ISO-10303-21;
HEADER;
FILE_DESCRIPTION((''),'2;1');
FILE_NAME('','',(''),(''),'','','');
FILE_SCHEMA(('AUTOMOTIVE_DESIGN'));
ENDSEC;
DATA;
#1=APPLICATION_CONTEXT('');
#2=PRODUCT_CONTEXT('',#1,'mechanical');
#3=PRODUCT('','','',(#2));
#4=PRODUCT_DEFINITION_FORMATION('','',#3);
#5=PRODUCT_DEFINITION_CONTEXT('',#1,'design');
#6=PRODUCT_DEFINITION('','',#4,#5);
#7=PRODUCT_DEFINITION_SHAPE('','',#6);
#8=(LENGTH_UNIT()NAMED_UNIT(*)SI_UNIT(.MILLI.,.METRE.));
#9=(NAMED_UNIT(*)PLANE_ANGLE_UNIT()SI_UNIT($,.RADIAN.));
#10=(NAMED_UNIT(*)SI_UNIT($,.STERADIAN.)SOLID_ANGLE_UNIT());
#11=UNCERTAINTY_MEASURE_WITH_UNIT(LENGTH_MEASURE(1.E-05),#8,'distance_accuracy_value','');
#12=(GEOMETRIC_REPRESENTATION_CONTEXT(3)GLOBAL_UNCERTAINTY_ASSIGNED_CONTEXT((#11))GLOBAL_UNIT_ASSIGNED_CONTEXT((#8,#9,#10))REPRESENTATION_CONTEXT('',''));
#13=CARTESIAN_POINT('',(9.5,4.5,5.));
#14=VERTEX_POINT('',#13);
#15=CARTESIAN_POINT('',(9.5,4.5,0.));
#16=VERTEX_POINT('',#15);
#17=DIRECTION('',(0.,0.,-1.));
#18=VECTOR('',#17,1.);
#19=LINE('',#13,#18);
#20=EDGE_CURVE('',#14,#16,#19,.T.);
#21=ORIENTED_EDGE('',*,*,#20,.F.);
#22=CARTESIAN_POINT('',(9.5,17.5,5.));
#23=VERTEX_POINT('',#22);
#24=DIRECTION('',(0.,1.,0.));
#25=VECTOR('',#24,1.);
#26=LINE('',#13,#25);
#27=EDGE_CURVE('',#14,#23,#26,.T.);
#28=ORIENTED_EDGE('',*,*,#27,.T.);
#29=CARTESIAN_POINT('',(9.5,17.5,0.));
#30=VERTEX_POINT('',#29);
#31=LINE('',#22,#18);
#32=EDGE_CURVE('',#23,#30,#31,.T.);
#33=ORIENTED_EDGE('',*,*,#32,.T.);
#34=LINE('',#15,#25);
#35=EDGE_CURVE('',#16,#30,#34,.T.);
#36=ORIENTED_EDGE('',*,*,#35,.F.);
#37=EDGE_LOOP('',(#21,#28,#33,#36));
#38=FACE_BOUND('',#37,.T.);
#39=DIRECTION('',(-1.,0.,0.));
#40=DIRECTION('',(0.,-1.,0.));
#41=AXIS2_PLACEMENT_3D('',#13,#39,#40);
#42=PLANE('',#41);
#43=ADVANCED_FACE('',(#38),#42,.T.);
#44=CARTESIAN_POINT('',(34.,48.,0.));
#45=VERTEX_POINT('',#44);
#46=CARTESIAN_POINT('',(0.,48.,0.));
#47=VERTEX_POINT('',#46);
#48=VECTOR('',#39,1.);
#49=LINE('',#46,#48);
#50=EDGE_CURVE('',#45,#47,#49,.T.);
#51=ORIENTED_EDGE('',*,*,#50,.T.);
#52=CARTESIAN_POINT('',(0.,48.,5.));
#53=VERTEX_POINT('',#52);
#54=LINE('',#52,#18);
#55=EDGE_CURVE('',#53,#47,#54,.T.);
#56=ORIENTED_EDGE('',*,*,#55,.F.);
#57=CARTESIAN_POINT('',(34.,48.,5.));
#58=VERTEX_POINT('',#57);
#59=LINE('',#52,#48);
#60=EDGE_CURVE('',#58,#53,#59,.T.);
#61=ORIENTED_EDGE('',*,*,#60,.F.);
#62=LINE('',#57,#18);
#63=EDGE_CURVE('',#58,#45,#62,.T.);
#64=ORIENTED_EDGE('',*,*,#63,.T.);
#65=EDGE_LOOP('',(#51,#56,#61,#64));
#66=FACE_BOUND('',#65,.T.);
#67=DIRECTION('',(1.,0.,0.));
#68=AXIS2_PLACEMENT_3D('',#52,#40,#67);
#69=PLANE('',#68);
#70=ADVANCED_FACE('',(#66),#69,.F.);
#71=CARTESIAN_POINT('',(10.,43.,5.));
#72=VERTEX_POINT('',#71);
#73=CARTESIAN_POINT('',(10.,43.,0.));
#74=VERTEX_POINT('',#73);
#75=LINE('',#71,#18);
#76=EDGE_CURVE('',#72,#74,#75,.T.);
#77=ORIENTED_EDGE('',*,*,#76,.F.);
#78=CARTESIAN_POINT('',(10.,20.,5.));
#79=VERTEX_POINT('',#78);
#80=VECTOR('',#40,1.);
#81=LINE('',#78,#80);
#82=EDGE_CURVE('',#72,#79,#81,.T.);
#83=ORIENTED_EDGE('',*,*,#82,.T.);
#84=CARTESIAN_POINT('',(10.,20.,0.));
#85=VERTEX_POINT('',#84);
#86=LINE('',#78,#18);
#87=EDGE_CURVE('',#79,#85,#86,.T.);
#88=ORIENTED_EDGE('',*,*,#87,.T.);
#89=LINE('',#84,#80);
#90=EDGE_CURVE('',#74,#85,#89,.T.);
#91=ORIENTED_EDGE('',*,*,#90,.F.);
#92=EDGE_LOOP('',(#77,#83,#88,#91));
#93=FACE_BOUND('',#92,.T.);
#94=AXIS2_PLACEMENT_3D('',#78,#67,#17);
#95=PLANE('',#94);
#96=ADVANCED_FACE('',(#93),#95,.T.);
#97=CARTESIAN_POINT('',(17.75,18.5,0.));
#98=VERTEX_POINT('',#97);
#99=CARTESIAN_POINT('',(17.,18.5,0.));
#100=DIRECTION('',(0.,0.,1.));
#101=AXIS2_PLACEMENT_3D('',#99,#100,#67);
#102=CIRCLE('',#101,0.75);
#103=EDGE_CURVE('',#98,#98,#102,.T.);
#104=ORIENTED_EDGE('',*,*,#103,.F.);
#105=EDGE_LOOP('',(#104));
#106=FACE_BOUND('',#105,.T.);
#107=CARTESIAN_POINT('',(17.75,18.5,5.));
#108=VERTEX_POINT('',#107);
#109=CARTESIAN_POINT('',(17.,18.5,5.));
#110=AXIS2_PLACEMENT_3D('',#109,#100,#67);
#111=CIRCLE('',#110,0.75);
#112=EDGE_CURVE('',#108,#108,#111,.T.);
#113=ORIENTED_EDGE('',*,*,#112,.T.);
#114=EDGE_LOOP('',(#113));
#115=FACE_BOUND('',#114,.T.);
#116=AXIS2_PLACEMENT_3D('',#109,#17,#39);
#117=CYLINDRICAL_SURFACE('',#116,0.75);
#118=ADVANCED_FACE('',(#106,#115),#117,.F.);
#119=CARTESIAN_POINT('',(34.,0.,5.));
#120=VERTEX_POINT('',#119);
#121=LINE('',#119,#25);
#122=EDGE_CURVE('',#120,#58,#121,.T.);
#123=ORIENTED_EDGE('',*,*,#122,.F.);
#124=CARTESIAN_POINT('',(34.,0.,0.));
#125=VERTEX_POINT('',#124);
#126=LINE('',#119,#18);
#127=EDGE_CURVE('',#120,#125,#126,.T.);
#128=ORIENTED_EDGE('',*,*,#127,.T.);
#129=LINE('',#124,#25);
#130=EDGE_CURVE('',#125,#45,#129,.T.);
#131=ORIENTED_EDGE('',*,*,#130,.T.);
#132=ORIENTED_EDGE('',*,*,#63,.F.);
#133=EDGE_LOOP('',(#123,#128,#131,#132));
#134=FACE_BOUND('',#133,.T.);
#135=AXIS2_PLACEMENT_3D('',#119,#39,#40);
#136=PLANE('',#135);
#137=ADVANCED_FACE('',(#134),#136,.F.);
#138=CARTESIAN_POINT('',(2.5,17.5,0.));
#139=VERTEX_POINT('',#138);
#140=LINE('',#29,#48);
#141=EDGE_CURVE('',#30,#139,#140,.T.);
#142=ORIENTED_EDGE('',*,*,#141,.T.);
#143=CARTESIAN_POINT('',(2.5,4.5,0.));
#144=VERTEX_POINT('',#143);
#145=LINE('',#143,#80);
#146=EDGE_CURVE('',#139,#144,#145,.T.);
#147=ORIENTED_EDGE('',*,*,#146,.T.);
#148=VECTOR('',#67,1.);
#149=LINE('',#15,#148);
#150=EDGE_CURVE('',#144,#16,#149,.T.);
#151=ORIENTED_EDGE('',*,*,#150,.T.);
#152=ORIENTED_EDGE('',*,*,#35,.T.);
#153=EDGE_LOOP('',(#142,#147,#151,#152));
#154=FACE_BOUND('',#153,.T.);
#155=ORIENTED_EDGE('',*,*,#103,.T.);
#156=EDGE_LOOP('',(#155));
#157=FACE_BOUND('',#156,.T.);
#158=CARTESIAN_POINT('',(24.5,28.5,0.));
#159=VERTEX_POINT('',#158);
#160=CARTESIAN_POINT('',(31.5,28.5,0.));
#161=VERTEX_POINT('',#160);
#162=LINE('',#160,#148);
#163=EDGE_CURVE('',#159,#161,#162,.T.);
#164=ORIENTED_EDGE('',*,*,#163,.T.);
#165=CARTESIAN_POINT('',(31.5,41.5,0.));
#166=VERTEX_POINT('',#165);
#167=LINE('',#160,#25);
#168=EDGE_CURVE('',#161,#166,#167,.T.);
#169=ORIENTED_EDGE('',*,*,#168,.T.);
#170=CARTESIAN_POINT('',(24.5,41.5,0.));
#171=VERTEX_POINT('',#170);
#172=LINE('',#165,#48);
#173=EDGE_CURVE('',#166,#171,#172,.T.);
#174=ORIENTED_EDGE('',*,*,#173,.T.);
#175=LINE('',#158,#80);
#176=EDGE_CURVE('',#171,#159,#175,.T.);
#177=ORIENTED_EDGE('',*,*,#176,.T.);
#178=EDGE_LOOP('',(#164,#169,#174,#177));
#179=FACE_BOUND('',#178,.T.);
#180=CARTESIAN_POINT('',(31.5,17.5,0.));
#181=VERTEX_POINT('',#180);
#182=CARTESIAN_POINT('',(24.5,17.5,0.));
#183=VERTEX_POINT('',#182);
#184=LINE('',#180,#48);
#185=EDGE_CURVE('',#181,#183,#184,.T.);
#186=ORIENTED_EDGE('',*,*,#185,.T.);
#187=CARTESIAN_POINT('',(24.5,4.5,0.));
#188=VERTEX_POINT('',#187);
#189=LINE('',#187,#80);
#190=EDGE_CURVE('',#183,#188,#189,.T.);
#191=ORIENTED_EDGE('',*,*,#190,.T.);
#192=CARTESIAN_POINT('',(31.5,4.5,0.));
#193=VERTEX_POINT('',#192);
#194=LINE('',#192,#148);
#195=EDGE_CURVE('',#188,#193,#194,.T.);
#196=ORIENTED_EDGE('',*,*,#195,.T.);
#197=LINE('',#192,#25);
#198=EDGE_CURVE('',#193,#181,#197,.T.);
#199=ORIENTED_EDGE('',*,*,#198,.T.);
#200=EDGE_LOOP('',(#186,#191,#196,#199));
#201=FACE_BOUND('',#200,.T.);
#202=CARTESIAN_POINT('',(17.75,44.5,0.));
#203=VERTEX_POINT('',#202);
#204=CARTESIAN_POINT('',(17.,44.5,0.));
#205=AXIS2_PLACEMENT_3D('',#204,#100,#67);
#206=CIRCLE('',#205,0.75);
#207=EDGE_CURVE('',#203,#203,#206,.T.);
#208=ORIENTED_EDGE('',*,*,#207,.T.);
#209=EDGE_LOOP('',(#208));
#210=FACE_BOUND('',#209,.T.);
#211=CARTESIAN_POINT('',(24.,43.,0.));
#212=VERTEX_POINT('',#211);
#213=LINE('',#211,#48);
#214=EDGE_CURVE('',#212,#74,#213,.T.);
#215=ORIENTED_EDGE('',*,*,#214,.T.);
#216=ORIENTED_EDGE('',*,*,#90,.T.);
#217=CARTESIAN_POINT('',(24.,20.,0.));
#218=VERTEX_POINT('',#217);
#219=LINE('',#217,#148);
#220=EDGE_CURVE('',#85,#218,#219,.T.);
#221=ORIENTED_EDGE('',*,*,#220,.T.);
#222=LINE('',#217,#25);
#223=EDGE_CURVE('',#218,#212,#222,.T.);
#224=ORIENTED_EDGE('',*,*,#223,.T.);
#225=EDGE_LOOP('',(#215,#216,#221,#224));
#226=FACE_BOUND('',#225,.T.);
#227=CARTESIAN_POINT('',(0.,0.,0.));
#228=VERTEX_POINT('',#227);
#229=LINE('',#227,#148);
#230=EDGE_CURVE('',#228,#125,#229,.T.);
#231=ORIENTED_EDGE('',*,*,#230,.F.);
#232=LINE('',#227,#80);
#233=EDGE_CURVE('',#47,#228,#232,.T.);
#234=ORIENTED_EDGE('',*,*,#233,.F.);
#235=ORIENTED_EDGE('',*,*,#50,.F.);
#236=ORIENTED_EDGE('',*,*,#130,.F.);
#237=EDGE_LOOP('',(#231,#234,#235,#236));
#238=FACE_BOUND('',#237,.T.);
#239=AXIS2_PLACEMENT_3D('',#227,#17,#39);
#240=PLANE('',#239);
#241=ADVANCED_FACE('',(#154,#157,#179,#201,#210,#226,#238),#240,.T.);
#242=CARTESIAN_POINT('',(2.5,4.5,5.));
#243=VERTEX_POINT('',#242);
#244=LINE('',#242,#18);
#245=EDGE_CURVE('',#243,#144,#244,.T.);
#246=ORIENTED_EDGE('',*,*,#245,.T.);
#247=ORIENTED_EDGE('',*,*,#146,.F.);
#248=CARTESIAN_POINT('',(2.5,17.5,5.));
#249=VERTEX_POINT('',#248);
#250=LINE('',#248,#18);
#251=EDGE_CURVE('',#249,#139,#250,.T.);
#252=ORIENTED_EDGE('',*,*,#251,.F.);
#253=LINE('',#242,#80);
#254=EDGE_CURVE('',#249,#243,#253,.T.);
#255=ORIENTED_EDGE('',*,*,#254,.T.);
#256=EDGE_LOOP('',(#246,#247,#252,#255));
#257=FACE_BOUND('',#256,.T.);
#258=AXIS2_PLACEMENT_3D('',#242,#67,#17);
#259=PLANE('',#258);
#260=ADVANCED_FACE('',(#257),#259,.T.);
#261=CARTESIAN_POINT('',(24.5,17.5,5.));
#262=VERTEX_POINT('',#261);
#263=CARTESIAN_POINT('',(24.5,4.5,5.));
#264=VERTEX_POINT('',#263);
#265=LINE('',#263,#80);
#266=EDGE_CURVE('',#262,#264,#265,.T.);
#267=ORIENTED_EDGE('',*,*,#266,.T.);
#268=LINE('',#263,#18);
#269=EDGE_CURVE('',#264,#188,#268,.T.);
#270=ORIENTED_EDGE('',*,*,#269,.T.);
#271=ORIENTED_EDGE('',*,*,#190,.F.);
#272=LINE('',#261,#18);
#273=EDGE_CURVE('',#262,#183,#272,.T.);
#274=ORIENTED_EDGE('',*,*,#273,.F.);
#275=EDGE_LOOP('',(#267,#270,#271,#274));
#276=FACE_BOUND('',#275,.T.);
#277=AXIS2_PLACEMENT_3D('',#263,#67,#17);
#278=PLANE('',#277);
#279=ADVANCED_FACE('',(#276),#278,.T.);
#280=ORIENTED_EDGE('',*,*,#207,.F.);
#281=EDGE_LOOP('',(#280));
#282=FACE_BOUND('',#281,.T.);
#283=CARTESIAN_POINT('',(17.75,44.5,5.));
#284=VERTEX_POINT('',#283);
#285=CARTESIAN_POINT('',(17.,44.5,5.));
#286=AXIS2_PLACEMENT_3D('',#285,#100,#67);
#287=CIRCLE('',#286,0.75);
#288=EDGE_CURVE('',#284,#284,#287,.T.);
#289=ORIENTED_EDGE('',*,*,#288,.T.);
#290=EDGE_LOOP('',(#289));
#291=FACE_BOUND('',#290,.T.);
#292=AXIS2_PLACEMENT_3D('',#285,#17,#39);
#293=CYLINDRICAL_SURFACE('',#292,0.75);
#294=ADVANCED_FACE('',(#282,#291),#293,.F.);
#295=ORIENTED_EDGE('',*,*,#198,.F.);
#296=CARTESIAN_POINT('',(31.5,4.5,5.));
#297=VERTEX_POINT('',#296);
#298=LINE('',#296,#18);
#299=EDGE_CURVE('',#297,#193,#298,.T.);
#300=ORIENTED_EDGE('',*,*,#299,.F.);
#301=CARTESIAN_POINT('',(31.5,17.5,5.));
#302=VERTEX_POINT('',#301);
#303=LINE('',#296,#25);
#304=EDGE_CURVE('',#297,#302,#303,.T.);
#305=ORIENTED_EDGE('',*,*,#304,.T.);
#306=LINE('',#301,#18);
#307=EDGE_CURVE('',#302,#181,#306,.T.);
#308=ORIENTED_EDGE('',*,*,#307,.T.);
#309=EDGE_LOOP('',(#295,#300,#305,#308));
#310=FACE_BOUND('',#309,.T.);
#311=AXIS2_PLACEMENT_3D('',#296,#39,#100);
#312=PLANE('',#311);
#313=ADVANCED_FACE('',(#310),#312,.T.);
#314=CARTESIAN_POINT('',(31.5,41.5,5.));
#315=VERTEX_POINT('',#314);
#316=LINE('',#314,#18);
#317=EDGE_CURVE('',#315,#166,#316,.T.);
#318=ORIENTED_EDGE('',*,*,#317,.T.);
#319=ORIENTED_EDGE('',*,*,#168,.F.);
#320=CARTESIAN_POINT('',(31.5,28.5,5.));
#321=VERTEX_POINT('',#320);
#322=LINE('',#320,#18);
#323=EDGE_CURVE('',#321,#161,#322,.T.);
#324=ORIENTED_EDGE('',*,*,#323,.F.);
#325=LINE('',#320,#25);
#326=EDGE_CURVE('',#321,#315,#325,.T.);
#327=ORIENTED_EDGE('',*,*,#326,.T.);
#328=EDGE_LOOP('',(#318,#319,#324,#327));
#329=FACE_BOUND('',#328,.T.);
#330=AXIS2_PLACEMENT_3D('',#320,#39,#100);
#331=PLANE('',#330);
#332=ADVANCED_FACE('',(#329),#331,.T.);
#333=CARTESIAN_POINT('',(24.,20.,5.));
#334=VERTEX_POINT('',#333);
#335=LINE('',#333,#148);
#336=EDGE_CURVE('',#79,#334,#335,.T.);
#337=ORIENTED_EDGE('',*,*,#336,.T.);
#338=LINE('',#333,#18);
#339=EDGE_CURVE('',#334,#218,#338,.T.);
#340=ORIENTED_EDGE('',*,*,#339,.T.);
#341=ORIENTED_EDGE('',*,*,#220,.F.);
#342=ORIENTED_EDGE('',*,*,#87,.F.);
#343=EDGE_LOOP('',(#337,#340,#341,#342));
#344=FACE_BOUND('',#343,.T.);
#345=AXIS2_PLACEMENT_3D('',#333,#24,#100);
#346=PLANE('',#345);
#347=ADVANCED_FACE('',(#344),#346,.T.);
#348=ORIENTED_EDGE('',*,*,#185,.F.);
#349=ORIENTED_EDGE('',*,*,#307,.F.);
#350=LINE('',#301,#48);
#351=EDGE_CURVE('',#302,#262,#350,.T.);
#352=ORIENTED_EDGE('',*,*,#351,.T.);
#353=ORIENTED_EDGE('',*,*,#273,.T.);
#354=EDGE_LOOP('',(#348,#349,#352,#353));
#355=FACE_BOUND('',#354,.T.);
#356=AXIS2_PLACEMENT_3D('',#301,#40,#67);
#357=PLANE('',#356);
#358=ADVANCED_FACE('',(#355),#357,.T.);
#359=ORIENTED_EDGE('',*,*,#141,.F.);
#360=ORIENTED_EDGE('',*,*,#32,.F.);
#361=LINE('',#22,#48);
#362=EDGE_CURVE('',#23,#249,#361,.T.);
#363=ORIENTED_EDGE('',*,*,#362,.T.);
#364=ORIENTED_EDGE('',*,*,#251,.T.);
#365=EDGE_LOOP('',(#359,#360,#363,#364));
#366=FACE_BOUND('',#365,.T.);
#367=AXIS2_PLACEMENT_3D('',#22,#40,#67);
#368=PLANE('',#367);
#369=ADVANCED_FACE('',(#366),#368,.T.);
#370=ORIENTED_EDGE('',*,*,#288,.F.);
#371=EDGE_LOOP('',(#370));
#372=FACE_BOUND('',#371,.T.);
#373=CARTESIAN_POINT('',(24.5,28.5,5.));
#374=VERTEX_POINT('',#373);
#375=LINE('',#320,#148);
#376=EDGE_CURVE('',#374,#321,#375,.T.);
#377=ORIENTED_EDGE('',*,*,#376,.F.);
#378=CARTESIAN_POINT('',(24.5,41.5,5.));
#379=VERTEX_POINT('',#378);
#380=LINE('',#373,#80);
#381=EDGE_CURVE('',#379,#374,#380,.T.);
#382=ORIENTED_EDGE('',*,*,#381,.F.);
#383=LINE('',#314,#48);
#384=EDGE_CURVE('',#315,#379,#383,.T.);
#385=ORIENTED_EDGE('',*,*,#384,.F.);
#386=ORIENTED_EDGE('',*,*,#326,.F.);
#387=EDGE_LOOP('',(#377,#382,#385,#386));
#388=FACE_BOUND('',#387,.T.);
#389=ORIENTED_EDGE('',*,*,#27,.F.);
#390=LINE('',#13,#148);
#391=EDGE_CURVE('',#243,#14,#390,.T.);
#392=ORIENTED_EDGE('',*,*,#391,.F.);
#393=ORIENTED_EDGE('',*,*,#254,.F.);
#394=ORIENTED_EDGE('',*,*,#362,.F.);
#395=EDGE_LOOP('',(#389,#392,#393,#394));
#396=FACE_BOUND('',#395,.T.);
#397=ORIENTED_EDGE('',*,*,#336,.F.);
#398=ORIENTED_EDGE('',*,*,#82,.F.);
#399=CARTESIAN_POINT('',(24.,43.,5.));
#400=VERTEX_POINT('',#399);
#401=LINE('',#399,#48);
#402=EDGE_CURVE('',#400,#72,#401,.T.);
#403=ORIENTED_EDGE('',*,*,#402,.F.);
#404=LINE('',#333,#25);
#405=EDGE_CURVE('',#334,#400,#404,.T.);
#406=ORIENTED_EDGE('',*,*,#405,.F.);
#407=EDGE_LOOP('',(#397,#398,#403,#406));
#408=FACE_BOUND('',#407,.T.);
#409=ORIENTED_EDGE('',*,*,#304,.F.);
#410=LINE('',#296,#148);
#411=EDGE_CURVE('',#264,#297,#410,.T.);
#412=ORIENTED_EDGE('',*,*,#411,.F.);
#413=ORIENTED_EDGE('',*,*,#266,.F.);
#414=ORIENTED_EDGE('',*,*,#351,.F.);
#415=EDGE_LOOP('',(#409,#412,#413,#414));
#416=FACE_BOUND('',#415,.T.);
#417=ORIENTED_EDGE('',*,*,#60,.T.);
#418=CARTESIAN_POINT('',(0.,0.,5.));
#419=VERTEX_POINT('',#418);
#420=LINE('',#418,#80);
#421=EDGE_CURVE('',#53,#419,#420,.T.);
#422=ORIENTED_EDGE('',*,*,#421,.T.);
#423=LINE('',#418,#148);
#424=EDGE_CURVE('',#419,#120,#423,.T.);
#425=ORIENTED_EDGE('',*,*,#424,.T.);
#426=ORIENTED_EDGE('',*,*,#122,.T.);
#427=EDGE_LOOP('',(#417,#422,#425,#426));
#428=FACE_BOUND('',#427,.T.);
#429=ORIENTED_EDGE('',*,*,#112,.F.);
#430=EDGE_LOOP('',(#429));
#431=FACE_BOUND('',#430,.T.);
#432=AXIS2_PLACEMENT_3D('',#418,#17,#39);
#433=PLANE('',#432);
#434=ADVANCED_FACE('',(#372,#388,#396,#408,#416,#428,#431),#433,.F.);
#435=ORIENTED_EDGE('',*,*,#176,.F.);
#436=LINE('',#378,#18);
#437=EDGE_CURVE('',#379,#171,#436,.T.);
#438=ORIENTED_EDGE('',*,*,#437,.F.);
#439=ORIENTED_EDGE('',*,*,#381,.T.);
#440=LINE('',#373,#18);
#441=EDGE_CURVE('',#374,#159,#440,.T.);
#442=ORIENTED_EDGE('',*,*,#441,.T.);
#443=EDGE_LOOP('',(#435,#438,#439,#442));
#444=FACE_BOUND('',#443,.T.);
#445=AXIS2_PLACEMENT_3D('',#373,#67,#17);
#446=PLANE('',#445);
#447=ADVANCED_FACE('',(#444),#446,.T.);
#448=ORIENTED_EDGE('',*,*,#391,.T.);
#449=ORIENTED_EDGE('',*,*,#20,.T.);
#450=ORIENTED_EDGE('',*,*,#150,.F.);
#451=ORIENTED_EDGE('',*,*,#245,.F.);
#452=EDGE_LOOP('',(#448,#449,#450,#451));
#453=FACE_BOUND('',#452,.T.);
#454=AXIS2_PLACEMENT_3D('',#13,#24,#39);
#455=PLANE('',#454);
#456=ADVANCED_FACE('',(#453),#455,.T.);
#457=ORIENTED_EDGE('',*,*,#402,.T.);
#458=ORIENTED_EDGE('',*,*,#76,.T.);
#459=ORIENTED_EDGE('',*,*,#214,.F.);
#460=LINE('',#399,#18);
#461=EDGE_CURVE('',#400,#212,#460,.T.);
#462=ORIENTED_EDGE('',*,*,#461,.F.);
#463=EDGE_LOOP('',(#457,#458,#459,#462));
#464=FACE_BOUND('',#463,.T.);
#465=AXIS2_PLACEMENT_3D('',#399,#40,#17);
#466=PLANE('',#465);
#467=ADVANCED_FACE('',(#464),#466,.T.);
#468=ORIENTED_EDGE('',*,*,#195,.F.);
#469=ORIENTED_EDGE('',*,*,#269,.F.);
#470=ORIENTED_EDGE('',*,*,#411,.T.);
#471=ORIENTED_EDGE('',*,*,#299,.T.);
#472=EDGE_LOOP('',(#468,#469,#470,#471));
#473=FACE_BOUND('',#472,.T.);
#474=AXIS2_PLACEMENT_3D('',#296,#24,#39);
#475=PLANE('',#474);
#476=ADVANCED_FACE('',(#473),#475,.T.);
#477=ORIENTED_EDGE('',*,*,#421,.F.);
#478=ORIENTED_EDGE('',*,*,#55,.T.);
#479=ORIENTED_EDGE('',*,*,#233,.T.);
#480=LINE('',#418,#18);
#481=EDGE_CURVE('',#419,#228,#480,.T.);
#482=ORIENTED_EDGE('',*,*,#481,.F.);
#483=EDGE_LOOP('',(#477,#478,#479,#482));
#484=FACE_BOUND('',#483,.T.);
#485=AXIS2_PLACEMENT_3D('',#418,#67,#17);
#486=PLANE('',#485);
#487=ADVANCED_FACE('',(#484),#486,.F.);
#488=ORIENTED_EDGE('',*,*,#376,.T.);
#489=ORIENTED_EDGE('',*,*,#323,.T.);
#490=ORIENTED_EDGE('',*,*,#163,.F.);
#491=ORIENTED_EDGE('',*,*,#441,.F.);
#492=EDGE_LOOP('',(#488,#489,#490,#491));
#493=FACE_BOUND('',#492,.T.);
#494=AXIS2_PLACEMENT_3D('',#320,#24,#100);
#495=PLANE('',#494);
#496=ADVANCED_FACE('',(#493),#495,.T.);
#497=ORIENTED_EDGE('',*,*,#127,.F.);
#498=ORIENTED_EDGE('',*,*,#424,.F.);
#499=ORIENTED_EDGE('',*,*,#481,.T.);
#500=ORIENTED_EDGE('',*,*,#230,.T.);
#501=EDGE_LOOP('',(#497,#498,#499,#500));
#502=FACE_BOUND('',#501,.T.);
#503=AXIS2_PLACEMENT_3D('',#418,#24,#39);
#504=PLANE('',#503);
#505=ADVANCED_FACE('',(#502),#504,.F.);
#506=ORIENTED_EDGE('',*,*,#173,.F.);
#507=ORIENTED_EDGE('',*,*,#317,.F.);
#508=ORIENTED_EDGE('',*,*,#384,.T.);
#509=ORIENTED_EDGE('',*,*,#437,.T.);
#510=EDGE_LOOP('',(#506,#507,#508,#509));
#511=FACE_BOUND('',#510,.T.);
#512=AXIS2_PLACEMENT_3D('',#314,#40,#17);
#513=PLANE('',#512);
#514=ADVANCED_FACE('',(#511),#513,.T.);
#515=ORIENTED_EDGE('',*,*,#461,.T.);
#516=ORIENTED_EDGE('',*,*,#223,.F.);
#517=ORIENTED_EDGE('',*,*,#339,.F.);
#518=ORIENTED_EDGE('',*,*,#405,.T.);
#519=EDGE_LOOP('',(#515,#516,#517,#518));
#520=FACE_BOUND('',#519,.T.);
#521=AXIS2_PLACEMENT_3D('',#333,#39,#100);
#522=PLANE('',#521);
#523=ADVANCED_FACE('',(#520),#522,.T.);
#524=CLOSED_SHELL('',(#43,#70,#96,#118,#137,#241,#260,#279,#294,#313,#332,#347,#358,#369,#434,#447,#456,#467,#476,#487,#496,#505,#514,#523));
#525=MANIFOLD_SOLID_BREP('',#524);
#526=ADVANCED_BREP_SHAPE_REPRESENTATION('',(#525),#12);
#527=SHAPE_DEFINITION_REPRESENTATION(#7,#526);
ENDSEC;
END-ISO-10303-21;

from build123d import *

# Parameters (mm, degrees)
CROQUIS1_W              = 34
CROQUIS1_H              = 48
CROQUIS1_R              = 0.75
CROQUIS1_W_2            = 14
CROQUIS1_H_2            = 23
CROQUIS1_W_3            = 7
CROQUIS1_H_3            = 13
SALIENTE_EXTRUIR1_DEPTH = 5


with BuildPart() as part:
    # Croquis1 → Saliente-Extruir1 (new body)
    with BuildSketch(Plane.XY):
        with Locations((17, 24)):
            Rectangle(CROQUIS1_W, CROQUIS1_H)
        with Locations((17, 18.5)):
            Circle(CROQUIS1_R, mode=Mode.SUBTRACT)
        with Locations((17, 44.5)):
            Circle(CROQUIS1_R, mode=Mode.SUBTRACT)
        with Locations((17, 31.5)):
            Rectangle(CROQUIS1_W_2, CROQUIS1_H_2, mode=Mode.SUBTRACT)
        with Locations((28, 11)):
            Rectangle(CROQUIS1_W_3, CROQUIS1_H_3, mode=Mode.SUBTRACT)
        with Locations((28, 35)):
            Rectangle(CROQUIS1_W_3, CROQUIS1_H_3, mode=Mode.SUBTRACT)
        with Locations((6, 11)):
            Rectangle(CROQUIS1_W_3, CROQUIS1_H_3, mode=Mode.SUBTRACT)
    extrude(amount=SALIENTE_EXTRUIR1_DEPTH)


solid = part.part
